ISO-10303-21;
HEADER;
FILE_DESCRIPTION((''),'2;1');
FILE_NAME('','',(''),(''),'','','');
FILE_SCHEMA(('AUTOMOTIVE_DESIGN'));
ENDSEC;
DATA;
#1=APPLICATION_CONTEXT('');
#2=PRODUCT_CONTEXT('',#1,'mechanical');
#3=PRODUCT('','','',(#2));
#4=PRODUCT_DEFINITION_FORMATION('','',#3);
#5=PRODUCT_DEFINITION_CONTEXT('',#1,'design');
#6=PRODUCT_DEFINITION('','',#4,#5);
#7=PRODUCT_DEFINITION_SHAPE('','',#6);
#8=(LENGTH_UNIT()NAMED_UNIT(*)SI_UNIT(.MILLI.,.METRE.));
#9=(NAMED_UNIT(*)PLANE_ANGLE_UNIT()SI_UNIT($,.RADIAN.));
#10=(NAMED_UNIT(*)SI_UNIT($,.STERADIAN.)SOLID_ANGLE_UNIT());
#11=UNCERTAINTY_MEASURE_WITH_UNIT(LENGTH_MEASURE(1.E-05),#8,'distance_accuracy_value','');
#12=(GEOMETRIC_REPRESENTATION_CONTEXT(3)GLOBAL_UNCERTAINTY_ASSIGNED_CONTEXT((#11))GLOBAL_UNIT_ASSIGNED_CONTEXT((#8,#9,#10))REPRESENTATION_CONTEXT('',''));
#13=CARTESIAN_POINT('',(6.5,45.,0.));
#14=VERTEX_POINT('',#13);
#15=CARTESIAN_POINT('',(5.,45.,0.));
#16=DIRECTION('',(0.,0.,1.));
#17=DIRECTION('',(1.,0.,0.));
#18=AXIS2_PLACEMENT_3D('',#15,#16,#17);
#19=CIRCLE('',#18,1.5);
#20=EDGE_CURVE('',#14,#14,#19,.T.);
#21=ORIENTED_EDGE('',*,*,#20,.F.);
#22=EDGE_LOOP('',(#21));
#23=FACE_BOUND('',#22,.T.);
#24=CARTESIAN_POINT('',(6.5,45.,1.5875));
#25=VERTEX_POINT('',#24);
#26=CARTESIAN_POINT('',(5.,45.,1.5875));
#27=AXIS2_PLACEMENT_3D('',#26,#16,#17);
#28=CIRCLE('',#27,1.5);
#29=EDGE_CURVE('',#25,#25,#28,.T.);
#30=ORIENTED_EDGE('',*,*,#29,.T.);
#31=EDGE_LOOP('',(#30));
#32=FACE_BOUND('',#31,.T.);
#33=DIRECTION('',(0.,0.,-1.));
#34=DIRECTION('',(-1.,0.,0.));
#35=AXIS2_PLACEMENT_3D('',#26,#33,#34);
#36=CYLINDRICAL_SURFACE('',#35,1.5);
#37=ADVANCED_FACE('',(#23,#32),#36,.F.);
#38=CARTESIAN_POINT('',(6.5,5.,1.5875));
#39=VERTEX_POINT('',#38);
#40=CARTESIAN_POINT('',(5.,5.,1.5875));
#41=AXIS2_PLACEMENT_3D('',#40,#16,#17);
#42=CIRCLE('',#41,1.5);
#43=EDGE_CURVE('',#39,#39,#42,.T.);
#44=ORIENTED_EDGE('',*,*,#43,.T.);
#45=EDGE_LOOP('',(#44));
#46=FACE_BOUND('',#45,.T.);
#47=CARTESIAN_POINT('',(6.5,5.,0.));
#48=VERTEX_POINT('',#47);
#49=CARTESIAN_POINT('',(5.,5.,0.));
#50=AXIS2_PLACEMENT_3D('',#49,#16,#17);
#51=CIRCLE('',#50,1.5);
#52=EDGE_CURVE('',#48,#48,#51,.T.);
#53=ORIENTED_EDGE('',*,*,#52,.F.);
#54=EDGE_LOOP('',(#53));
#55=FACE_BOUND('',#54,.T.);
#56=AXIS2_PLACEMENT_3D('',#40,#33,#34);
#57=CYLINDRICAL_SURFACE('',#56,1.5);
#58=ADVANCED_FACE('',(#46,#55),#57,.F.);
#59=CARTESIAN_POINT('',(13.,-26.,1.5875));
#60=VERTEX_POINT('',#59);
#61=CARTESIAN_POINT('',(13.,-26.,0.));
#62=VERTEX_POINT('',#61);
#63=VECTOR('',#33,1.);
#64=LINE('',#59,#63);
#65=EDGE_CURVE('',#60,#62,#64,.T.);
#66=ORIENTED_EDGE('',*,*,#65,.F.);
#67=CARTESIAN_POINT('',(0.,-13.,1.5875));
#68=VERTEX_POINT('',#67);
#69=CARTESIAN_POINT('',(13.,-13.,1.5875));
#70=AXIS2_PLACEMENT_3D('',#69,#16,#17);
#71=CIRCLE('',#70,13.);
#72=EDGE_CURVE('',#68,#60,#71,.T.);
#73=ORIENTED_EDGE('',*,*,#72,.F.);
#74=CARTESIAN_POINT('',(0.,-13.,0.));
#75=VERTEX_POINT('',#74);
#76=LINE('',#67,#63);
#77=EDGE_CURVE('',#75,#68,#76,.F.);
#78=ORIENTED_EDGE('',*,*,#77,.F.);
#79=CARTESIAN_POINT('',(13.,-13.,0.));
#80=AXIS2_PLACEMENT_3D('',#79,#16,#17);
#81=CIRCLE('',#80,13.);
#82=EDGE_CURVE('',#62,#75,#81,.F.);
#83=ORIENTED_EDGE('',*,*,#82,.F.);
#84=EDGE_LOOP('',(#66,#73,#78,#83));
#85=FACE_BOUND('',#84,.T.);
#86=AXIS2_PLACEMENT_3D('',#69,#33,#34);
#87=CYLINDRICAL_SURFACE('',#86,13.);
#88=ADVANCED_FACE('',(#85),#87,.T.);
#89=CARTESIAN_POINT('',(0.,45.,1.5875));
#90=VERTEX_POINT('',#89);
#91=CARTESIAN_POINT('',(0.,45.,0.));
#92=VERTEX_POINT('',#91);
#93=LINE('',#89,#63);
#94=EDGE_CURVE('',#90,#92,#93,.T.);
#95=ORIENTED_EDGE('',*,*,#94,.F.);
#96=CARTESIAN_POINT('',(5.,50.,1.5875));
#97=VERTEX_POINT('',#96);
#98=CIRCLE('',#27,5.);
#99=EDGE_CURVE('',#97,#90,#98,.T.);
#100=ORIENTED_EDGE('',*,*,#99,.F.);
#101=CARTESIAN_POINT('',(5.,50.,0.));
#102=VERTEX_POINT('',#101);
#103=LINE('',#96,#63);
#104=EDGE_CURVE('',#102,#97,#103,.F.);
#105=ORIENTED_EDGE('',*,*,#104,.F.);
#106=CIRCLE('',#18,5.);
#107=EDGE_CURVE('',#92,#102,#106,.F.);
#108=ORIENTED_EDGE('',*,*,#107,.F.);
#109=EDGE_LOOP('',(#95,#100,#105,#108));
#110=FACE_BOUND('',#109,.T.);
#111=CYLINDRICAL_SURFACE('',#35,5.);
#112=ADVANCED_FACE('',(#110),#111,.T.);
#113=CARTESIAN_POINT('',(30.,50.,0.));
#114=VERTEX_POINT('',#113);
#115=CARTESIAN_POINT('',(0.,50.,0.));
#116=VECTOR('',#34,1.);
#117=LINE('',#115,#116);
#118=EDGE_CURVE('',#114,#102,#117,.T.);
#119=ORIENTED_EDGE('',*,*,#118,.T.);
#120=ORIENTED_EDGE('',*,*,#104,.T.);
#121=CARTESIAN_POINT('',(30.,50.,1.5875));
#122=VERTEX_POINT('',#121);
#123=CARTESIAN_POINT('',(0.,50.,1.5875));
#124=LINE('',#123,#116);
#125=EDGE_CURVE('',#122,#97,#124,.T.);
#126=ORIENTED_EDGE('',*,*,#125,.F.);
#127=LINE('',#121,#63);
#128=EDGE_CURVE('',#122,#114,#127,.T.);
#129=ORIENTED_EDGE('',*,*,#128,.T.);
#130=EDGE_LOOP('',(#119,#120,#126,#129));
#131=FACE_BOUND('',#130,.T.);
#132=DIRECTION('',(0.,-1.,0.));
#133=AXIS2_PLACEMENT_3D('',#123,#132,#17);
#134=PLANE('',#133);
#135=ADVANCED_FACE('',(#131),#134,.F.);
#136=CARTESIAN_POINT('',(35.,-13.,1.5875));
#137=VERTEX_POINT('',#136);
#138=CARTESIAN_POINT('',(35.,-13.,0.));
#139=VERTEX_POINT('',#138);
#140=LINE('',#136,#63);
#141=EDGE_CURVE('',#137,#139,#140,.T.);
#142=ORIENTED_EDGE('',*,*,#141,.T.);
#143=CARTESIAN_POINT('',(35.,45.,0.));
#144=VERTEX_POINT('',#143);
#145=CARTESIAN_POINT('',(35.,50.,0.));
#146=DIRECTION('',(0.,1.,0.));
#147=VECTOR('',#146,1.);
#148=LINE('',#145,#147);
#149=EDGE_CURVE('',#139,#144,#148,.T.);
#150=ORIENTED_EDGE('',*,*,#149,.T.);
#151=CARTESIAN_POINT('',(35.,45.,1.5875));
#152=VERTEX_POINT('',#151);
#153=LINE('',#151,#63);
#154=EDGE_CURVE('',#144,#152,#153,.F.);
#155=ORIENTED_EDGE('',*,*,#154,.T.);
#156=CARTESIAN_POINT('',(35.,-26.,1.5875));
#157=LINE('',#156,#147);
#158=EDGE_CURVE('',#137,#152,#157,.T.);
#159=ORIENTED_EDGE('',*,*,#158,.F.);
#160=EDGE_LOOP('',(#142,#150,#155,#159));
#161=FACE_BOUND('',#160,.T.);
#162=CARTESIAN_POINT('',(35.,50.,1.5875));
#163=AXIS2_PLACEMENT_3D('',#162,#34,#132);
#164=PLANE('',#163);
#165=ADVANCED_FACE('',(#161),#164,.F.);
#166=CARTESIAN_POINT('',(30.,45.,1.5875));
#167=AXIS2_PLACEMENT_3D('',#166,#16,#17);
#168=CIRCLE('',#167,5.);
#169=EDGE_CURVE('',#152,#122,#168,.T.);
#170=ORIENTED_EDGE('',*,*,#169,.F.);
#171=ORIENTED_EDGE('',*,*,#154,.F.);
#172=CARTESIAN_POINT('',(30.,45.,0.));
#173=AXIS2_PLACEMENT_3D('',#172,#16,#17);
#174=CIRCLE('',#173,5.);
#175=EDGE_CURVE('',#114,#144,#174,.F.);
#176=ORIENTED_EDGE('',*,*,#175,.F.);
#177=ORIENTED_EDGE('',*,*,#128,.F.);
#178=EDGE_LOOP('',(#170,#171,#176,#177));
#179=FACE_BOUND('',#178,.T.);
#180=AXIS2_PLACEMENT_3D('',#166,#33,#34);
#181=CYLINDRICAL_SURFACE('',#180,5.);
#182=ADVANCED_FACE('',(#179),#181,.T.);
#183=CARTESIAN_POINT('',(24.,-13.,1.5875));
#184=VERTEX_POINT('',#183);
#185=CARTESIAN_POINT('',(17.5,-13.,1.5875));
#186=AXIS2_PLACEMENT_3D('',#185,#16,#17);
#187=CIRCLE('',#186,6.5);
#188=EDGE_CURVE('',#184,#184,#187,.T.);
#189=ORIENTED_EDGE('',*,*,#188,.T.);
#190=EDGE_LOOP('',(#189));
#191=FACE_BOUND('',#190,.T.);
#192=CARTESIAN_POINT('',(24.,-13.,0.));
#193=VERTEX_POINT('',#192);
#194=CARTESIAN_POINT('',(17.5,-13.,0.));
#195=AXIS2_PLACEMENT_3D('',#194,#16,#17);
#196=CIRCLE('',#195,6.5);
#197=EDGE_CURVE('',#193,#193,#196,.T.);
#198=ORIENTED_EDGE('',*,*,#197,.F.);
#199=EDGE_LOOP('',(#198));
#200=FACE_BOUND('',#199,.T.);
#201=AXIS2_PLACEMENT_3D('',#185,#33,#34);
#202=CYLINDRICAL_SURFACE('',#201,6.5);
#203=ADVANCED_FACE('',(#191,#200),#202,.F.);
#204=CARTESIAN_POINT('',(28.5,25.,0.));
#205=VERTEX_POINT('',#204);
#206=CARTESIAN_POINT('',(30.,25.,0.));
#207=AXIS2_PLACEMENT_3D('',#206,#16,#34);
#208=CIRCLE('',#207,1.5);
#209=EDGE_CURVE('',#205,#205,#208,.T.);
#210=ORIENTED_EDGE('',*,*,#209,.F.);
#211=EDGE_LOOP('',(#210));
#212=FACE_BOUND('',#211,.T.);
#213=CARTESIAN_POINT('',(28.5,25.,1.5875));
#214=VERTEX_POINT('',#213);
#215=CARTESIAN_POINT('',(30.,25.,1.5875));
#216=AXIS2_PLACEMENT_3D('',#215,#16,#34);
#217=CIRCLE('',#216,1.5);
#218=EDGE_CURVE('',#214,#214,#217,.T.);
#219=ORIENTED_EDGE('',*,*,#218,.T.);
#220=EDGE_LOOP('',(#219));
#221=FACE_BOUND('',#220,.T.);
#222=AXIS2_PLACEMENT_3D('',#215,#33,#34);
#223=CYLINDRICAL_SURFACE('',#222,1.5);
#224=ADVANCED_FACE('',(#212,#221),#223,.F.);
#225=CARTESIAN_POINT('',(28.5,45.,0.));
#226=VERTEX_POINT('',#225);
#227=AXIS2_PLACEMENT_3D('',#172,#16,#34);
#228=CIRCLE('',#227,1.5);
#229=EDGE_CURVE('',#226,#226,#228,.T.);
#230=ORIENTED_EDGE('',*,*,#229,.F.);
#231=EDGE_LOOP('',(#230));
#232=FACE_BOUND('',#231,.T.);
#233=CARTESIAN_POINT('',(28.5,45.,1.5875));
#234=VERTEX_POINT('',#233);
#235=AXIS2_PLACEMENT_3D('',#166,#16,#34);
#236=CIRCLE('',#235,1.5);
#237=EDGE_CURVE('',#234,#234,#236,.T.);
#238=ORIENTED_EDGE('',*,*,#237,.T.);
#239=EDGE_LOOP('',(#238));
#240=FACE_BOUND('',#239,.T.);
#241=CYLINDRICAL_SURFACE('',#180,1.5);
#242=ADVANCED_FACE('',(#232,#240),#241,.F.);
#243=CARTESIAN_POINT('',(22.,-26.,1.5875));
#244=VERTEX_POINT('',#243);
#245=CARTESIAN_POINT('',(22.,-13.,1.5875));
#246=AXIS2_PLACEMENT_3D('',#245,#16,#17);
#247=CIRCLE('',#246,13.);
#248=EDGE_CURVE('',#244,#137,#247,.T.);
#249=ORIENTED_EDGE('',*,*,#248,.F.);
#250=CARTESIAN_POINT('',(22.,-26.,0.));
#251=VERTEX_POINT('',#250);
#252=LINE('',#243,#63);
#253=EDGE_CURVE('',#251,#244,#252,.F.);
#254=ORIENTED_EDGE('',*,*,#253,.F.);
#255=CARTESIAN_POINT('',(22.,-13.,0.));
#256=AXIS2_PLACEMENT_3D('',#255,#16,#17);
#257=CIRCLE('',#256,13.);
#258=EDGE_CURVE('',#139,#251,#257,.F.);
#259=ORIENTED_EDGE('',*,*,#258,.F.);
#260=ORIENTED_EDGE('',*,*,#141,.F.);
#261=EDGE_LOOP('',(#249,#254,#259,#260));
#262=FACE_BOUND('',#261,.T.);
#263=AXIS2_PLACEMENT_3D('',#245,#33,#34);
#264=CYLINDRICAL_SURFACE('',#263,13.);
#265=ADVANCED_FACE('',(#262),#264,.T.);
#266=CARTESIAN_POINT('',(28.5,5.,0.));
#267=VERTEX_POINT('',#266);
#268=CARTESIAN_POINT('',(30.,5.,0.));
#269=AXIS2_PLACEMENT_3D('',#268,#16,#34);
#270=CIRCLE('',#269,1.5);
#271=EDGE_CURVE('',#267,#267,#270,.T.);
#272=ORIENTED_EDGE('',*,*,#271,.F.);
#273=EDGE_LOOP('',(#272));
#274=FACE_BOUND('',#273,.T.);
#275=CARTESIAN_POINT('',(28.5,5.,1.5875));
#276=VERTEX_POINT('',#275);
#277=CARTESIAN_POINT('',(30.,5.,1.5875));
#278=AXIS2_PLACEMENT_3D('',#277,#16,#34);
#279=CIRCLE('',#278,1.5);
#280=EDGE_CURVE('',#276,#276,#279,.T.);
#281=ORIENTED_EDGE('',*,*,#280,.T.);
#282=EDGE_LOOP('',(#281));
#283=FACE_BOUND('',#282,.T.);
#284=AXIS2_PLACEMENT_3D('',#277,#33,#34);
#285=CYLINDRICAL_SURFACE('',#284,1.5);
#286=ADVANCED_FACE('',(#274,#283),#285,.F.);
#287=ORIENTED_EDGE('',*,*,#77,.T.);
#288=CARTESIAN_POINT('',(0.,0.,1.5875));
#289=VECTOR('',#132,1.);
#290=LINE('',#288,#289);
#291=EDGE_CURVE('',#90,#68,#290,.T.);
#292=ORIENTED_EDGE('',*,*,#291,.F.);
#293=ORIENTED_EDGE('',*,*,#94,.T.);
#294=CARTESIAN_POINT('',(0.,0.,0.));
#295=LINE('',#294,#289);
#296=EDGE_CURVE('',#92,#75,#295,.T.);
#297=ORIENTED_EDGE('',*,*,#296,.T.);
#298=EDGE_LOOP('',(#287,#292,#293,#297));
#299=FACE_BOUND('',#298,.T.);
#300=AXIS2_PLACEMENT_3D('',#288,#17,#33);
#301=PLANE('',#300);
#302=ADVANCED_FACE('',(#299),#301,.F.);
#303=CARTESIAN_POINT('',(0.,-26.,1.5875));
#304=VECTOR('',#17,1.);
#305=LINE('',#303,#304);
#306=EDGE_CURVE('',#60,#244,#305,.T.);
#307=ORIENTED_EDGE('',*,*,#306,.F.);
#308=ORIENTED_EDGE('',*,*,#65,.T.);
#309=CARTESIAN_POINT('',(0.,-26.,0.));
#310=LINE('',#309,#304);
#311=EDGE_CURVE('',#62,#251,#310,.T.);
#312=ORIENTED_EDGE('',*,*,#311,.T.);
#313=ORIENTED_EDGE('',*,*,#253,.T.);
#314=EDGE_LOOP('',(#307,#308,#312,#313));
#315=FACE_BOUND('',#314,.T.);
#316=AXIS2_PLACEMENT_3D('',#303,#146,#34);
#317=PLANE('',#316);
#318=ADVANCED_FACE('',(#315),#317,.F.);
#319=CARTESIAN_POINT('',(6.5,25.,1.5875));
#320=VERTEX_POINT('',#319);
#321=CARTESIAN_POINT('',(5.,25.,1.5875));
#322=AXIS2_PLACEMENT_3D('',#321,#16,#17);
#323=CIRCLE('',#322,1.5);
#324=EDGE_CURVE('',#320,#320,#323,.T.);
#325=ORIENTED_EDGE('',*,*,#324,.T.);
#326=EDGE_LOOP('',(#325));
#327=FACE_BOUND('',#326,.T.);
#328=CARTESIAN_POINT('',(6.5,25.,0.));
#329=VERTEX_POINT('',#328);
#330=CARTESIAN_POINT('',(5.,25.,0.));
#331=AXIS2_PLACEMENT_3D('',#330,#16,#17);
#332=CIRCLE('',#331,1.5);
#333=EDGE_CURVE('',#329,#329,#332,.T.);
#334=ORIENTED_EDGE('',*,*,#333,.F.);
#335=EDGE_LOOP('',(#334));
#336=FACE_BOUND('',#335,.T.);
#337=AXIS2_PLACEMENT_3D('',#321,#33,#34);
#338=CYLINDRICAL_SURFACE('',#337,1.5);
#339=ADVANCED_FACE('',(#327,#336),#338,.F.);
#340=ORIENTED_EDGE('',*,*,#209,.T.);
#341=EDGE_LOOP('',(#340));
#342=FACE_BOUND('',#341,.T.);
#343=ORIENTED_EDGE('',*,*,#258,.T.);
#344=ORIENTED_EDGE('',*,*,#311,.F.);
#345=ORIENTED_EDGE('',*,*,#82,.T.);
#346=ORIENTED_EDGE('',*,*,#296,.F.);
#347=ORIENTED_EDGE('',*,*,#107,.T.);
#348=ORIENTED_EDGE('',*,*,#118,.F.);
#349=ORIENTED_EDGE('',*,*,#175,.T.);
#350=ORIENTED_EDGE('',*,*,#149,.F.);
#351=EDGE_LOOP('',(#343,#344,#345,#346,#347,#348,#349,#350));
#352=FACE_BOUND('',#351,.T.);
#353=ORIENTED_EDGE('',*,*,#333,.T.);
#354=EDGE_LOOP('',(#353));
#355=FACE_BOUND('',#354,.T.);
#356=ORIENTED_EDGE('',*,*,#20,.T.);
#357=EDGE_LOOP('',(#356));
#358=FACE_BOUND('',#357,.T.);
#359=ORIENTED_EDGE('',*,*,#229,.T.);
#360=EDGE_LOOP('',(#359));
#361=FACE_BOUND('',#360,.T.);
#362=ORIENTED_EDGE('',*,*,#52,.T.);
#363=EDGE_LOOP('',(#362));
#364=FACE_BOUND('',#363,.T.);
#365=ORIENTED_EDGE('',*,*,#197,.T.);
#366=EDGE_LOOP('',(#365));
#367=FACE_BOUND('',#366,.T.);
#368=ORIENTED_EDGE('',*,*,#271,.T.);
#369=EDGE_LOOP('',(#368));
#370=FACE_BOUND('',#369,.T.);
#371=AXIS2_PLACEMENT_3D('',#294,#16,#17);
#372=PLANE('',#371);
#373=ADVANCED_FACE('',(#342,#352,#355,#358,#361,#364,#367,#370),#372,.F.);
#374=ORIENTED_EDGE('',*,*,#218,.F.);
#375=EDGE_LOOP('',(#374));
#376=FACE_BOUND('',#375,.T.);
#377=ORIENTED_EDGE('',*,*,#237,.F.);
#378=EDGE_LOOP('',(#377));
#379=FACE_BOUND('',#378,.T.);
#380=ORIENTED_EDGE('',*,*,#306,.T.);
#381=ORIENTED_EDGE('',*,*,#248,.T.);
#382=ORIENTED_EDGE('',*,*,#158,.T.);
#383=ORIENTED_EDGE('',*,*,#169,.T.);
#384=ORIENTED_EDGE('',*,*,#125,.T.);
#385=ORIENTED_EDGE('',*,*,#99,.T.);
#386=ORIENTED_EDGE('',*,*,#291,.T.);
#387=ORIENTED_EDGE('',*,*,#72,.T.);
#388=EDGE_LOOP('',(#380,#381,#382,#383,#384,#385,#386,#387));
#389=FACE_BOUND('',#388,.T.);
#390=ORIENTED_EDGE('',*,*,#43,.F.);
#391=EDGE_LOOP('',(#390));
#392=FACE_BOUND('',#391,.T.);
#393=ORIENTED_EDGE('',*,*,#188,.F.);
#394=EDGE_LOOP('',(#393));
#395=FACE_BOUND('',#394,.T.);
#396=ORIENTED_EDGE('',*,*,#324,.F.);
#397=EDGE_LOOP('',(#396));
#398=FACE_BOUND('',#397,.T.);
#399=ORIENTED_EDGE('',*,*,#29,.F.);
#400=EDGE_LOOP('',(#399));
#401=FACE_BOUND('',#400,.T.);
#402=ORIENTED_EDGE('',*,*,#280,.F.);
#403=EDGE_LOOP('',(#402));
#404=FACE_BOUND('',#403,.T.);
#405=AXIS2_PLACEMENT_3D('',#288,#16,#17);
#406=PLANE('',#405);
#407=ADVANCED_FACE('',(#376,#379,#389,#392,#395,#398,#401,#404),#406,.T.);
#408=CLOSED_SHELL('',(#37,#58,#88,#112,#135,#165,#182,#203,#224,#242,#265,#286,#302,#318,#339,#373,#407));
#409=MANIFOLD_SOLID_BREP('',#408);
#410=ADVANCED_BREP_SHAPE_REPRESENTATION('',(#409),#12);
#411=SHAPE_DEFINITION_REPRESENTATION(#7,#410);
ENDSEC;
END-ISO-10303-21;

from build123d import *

# Parameters (mm, degrees)
SKETCH1_R           = 6.5
SKETCH1_R_2         = 1.5
BOSS_EXTRUDE1_DEPTH = 1.5875
FILLET1_R           = 5
FILLET2_R           = 13


with BuildPart() as part:
    # Sketch1 → Boss-Extrude1 (new body)
    with BuildSketch(Plane.XY):
        Polygon((0, 0), (0, 50), (35, 50), (35, 0), (35, -26), (0, -26), align=None)
        with Locations((17.5, -13)):
            Circle(SKETCH1_R, mode=Mode.SUBTRACT)
        with Locations((5, 45)):
            Circle(SKETCH1_R_2, mode=Mode.SUBTRACT)
        with Locations((5, 25)):
            Circle(SKETCH1_R_2, mode=Mode.SUBTRACT)
        with Locations((5, 5)):
            Circle(SKETCH1_R_2, mode=Mode.SUBTRACT)
        with Locations(Location((30, 5, 0), (0, 0, 180))):
            Circle(SKETCH1_R_2, mode=Mode.SUBTRACT)
        with Locations(Location((30, 25, 0), (0, 0, 180))):
            Circle(SKETCH1_R_2, mode=Mode.SUBTRACT)
        with Locations(Location((30, 45, 0), (0, 0, 180))):
            Circle(SKETCH1_R_2, mode=Mode.SUBTRACT)
    extrude(amount=BOSS_EXTRUDE1_DEPTH)

    # Fillet1
    fillet1_edges = [part.edges().sort_by_distance(p)[0] for p in [
        (0, 50, 0.79375),
        (35, 50, 0.79375),
    ]]
    fillet(fillet1_edges, radius=FILLET1_R)

    # Fillet2
    fillet2_edges = [part.edges().sort_by_distance(p)[0] for p in [
        (35, -26, 0.79375),
        (0, -26, 0.79375),
    ]]
    fillet(fillet2_edges, radius=FILLET2_R)


solid = part.part
